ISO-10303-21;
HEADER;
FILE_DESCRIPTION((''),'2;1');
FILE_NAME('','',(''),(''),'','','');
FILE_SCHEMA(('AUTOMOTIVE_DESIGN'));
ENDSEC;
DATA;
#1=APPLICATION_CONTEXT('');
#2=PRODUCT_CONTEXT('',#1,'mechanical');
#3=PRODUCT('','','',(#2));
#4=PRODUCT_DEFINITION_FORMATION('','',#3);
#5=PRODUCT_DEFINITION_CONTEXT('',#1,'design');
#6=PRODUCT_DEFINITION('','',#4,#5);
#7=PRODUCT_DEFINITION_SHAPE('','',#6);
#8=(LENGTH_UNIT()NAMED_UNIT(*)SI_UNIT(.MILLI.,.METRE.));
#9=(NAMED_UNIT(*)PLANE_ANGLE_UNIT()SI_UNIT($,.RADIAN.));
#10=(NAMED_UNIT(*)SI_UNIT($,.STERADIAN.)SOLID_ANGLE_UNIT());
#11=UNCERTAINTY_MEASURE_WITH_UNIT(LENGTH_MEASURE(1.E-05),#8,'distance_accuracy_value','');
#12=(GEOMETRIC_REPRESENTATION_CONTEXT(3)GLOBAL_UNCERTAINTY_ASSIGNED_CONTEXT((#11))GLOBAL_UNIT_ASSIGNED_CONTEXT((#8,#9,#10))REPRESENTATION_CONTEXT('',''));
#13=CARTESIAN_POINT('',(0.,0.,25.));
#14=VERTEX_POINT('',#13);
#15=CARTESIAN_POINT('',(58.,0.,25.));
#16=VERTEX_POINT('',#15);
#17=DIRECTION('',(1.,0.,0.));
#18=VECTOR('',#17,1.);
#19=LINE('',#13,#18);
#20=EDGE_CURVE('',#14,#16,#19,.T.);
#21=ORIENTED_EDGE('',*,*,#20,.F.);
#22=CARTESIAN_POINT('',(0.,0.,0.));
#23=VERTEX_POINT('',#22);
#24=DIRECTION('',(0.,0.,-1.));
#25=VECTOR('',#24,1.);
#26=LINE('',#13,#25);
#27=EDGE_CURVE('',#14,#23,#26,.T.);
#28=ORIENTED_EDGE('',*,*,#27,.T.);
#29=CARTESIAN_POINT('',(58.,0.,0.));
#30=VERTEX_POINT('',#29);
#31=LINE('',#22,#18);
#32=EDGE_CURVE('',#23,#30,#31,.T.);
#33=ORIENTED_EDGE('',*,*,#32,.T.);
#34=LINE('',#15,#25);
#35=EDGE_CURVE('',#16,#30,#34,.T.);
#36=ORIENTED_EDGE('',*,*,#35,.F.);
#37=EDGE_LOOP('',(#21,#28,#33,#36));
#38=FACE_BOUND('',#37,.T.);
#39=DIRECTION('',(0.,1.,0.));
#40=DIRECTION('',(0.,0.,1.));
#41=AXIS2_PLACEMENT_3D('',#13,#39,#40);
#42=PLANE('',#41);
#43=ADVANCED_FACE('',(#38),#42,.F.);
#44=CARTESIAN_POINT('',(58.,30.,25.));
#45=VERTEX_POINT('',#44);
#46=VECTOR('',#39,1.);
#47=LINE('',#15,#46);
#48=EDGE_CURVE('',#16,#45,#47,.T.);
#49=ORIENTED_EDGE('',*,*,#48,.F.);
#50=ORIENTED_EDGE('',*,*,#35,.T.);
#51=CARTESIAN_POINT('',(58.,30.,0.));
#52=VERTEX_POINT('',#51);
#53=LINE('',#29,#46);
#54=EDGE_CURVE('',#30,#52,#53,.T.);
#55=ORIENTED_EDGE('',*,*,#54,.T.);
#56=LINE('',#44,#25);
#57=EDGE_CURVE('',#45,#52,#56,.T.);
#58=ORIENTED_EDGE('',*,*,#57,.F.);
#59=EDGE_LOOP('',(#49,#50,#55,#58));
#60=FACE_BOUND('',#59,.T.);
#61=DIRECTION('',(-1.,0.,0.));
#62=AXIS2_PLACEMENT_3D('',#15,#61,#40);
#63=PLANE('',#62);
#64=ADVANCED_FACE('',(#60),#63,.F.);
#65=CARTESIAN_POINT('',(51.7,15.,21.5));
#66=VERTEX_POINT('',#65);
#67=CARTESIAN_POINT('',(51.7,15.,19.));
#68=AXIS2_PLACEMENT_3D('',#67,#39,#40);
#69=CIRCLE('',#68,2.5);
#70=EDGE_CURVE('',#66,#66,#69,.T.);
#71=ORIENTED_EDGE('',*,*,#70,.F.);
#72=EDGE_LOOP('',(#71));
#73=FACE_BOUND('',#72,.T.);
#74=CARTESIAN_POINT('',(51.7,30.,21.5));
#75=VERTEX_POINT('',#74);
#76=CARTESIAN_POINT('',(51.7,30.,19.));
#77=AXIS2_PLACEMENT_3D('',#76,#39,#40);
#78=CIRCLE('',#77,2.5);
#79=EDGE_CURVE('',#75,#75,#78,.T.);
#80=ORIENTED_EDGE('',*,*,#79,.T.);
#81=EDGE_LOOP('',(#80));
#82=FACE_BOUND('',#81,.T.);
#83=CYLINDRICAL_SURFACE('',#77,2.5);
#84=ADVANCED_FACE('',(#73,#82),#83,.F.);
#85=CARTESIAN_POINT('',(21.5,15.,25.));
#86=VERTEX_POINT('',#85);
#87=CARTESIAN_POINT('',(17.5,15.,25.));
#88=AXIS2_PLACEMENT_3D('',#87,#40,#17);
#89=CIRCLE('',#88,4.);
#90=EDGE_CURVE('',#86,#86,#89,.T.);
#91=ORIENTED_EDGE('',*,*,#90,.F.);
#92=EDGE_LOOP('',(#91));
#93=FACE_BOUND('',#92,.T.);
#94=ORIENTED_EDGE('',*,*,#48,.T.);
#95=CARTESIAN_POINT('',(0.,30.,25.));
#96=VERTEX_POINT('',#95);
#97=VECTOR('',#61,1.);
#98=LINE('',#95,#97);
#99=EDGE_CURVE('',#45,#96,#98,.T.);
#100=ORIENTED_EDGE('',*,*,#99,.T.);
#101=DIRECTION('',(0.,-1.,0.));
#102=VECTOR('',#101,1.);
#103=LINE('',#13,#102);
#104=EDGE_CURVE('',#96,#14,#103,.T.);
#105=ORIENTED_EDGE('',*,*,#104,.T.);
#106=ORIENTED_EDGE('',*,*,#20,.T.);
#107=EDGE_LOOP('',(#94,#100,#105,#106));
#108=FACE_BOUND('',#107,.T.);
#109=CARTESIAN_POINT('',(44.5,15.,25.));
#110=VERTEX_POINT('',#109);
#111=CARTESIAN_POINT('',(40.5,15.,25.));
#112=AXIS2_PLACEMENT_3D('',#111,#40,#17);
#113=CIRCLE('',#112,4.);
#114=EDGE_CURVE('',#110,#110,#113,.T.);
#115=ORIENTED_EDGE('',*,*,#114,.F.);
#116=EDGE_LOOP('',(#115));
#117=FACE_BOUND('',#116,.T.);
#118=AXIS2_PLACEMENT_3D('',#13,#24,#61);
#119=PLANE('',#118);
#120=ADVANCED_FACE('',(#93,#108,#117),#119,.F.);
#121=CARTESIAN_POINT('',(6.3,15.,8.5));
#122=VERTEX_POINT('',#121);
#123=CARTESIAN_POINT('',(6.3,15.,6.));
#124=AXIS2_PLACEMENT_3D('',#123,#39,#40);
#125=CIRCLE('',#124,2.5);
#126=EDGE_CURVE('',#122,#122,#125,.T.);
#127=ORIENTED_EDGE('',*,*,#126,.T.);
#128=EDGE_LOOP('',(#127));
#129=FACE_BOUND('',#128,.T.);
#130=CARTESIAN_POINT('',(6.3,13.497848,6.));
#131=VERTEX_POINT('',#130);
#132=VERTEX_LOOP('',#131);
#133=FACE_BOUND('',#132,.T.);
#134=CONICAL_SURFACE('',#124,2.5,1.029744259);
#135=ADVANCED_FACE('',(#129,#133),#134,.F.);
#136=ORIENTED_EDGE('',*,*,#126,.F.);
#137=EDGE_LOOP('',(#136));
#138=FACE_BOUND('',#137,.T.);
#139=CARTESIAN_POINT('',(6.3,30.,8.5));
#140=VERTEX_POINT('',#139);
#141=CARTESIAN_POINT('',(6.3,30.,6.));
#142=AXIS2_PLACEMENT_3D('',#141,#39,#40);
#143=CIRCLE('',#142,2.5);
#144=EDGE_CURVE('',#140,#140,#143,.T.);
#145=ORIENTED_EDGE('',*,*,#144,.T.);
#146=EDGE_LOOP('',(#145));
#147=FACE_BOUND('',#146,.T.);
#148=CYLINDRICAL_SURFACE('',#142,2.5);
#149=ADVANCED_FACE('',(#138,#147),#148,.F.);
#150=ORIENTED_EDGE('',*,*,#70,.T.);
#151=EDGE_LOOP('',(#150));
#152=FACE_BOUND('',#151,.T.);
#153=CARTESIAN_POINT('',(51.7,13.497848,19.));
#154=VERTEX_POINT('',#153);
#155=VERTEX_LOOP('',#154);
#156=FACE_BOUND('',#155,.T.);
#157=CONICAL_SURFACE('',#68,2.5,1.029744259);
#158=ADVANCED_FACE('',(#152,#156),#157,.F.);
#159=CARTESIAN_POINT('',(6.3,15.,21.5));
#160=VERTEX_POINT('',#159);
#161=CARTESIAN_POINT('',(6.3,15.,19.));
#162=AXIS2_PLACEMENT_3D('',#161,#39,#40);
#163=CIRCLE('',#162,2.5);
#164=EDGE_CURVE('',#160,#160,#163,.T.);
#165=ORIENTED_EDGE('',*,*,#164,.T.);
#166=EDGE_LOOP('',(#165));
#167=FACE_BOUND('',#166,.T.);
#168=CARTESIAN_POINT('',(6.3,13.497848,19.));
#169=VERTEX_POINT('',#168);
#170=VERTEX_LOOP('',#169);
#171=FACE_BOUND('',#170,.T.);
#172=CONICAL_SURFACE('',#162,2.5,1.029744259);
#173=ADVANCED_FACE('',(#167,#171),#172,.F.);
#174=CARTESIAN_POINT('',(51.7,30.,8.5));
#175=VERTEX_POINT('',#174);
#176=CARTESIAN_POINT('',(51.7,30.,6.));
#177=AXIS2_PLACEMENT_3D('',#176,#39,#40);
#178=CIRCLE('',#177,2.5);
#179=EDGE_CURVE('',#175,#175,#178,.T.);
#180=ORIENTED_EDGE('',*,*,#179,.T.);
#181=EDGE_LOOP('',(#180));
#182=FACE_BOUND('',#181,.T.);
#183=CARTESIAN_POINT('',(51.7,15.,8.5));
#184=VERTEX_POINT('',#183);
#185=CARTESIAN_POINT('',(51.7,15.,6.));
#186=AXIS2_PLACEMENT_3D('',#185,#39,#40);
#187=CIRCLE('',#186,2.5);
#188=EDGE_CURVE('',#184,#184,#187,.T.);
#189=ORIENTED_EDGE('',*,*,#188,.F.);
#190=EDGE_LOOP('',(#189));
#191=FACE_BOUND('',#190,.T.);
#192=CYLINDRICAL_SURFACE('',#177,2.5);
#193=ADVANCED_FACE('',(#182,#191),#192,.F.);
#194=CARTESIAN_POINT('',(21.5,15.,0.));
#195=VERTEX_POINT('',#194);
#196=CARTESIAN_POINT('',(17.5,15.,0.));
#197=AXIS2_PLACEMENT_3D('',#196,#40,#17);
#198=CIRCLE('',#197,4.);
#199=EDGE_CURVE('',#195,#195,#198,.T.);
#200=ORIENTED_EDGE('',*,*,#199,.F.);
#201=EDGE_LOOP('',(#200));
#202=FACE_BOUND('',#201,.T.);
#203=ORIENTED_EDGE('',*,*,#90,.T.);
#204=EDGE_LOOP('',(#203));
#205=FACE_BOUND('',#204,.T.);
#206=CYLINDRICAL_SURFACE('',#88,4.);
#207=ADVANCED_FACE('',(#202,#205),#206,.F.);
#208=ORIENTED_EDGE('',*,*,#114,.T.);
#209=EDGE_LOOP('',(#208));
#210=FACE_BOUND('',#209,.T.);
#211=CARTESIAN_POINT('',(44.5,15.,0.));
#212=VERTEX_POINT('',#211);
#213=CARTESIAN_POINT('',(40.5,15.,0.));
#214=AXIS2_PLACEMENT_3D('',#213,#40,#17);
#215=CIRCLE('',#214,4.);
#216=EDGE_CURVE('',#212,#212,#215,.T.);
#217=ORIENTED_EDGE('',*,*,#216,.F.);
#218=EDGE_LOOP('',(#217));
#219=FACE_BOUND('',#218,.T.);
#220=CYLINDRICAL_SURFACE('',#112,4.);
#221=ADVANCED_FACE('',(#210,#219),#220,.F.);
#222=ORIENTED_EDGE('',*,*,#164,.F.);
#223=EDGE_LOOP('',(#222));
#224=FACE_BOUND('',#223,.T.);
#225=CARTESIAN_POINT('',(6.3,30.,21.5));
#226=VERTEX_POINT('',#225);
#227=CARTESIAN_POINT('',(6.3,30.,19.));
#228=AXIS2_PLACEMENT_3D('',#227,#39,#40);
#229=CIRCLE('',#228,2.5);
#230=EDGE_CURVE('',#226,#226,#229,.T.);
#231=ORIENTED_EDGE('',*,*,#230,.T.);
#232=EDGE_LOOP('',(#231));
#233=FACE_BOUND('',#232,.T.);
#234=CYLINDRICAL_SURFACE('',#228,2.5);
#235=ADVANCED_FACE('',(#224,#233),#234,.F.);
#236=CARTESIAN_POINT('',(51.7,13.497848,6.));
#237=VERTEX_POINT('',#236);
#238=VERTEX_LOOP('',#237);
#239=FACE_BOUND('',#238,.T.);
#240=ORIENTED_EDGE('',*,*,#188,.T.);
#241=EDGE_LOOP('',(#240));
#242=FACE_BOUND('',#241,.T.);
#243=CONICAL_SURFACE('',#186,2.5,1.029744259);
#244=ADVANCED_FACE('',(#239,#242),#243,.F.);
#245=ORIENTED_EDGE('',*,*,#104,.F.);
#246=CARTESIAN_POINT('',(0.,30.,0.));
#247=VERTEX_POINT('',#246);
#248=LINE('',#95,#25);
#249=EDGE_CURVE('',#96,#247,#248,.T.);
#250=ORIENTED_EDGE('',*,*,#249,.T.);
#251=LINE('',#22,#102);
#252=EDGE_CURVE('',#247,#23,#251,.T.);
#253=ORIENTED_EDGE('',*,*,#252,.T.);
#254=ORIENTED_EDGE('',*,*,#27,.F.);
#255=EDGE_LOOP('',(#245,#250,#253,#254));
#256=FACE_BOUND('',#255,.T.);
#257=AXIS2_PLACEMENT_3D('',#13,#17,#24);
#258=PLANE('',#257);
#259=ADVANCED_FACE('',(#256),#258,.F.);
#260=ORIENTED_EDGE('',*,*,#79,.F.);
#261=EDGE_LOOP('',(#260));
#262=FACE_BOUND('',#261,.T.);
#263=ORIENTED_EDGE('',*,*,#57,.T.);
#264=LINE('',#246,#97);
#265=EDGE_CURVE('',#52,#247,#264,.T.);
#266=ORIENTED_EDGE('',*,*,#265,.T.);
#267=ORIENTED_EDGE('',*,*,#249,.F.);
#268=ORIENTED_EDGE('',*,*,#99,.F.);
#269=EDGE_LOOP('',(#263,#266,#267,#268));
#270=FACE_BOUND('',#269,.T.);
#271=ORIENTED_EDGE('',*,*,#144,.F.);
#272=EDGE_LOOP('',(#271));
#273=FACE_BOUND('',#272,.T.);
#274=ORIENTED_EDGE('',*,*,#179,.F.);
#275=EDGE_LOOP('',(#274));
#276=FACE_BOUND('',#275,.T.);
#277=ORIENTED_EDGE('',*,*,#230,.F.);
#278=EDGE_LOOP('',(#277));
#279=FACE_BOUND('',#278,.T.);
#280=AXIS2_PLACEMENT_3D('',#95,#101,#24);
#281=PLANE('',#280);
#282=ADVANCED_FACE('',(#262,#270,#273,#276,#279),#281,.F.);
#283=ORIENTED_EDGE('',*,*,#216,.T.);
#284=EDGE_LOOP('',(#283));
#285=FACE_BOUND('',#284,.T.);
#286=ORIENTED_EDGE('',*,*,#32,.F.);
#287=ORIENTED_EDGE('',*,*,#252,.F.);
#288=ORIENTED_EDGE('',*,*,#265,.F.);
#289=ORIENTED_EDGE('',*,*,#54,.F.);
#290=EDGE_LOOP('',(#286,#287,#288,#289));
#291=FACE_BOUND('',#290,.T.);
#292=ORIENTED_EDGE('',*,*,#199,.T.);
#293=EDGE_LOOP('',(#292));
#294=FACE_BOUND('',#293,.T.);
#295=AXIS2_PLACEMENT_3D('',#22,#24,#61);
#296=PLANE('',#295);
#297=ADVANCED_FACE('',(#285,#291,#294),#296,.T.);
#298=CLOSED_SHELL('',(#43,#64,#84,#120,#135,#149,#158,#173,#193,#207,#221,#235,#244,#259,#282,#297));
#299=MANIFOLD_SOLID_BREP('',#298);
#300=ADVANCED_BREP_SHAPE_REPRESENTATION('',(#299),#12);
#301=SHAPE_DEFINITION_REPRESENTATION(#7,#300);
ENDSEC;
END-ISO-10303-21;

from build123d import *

# Parameters (mm, degrees)
ESQUISSE1_W                                   = 58
ESQUISSE1_H                                   = 30
BOSS_EXTRU_1_DEPTH                            = 25
TROU_POUR_TARAUDAGE_POUR_TROU_TARAUD_M6_D     = 5
TROU_POUR_TARAUDAGE_POUR_TROU_TARAUD_M6_DEPTH = 15
TROU_POUR_TARAUDAGE_POUR_TROU_TARAUD_M6_TIP   = 1.502151548
DIAM_TRE_DU_PER_AGE_8_0_8_1_D                 = 8


with BuildPart() as part:
    # Esquisse1 → Boss.-Extru.1 (new body)
    with BuildSketch(Plane.XY):
        with Locations((29, 15)):
            Rectangle(ESQUISSE1_W, ESQUISSE1_H)
    extrude(amount=BOSS_EXTRU_1_DEPTH)

    # Trou pour taraudage pour trou taraudé M61
    with Locations(Plane(origin=(6.3, 30, 6), x_dir=(0, 0, 1), z_dir=(0, 1, 0))):
        with Locations((0, 0), (13, 0), (13, 45.4), (0, 45.4)):
            Hole(TROU_POUR_TARAUDAGE_POUR_TROU_TARAUD_M6_D / 2, depth=TROU_POUR_TARAUDAGE_POUR_TROU_TARAUD_M6_DEPTH)
            with Locations((0, 0, -(TROU_POUR_TARAUDAGE_POUR_TROU_TARAUD_M6_DEPTH + TROU_POUR_TARAUDAGE_POUR_TROU_TARAUD_M6_TIP / 2))):  # 118° drill point
                Cone(0, TROU_POUR_TARAUDAGE_POUR_TROU_TARAUD_M6_D / 2, TROU_POUR_TARAUDAGE_POUR_TROU_TARAUD_M6_TIP, mode=Mode.SUBTRACT)

    # Diamètre du perçage Ø8.0 (8)1 (through all)
    with Locations(Plane(origin=(17.5, 15, 25), x_dir=(1, 0, 0), z_dir=(0, 0, 1))):
        with Locations((0, 0), (23, 0)):
            Hole(DIAM_TRE_DU_PER_AGE_8_0_8_1_D / 2)


solid = part.part
